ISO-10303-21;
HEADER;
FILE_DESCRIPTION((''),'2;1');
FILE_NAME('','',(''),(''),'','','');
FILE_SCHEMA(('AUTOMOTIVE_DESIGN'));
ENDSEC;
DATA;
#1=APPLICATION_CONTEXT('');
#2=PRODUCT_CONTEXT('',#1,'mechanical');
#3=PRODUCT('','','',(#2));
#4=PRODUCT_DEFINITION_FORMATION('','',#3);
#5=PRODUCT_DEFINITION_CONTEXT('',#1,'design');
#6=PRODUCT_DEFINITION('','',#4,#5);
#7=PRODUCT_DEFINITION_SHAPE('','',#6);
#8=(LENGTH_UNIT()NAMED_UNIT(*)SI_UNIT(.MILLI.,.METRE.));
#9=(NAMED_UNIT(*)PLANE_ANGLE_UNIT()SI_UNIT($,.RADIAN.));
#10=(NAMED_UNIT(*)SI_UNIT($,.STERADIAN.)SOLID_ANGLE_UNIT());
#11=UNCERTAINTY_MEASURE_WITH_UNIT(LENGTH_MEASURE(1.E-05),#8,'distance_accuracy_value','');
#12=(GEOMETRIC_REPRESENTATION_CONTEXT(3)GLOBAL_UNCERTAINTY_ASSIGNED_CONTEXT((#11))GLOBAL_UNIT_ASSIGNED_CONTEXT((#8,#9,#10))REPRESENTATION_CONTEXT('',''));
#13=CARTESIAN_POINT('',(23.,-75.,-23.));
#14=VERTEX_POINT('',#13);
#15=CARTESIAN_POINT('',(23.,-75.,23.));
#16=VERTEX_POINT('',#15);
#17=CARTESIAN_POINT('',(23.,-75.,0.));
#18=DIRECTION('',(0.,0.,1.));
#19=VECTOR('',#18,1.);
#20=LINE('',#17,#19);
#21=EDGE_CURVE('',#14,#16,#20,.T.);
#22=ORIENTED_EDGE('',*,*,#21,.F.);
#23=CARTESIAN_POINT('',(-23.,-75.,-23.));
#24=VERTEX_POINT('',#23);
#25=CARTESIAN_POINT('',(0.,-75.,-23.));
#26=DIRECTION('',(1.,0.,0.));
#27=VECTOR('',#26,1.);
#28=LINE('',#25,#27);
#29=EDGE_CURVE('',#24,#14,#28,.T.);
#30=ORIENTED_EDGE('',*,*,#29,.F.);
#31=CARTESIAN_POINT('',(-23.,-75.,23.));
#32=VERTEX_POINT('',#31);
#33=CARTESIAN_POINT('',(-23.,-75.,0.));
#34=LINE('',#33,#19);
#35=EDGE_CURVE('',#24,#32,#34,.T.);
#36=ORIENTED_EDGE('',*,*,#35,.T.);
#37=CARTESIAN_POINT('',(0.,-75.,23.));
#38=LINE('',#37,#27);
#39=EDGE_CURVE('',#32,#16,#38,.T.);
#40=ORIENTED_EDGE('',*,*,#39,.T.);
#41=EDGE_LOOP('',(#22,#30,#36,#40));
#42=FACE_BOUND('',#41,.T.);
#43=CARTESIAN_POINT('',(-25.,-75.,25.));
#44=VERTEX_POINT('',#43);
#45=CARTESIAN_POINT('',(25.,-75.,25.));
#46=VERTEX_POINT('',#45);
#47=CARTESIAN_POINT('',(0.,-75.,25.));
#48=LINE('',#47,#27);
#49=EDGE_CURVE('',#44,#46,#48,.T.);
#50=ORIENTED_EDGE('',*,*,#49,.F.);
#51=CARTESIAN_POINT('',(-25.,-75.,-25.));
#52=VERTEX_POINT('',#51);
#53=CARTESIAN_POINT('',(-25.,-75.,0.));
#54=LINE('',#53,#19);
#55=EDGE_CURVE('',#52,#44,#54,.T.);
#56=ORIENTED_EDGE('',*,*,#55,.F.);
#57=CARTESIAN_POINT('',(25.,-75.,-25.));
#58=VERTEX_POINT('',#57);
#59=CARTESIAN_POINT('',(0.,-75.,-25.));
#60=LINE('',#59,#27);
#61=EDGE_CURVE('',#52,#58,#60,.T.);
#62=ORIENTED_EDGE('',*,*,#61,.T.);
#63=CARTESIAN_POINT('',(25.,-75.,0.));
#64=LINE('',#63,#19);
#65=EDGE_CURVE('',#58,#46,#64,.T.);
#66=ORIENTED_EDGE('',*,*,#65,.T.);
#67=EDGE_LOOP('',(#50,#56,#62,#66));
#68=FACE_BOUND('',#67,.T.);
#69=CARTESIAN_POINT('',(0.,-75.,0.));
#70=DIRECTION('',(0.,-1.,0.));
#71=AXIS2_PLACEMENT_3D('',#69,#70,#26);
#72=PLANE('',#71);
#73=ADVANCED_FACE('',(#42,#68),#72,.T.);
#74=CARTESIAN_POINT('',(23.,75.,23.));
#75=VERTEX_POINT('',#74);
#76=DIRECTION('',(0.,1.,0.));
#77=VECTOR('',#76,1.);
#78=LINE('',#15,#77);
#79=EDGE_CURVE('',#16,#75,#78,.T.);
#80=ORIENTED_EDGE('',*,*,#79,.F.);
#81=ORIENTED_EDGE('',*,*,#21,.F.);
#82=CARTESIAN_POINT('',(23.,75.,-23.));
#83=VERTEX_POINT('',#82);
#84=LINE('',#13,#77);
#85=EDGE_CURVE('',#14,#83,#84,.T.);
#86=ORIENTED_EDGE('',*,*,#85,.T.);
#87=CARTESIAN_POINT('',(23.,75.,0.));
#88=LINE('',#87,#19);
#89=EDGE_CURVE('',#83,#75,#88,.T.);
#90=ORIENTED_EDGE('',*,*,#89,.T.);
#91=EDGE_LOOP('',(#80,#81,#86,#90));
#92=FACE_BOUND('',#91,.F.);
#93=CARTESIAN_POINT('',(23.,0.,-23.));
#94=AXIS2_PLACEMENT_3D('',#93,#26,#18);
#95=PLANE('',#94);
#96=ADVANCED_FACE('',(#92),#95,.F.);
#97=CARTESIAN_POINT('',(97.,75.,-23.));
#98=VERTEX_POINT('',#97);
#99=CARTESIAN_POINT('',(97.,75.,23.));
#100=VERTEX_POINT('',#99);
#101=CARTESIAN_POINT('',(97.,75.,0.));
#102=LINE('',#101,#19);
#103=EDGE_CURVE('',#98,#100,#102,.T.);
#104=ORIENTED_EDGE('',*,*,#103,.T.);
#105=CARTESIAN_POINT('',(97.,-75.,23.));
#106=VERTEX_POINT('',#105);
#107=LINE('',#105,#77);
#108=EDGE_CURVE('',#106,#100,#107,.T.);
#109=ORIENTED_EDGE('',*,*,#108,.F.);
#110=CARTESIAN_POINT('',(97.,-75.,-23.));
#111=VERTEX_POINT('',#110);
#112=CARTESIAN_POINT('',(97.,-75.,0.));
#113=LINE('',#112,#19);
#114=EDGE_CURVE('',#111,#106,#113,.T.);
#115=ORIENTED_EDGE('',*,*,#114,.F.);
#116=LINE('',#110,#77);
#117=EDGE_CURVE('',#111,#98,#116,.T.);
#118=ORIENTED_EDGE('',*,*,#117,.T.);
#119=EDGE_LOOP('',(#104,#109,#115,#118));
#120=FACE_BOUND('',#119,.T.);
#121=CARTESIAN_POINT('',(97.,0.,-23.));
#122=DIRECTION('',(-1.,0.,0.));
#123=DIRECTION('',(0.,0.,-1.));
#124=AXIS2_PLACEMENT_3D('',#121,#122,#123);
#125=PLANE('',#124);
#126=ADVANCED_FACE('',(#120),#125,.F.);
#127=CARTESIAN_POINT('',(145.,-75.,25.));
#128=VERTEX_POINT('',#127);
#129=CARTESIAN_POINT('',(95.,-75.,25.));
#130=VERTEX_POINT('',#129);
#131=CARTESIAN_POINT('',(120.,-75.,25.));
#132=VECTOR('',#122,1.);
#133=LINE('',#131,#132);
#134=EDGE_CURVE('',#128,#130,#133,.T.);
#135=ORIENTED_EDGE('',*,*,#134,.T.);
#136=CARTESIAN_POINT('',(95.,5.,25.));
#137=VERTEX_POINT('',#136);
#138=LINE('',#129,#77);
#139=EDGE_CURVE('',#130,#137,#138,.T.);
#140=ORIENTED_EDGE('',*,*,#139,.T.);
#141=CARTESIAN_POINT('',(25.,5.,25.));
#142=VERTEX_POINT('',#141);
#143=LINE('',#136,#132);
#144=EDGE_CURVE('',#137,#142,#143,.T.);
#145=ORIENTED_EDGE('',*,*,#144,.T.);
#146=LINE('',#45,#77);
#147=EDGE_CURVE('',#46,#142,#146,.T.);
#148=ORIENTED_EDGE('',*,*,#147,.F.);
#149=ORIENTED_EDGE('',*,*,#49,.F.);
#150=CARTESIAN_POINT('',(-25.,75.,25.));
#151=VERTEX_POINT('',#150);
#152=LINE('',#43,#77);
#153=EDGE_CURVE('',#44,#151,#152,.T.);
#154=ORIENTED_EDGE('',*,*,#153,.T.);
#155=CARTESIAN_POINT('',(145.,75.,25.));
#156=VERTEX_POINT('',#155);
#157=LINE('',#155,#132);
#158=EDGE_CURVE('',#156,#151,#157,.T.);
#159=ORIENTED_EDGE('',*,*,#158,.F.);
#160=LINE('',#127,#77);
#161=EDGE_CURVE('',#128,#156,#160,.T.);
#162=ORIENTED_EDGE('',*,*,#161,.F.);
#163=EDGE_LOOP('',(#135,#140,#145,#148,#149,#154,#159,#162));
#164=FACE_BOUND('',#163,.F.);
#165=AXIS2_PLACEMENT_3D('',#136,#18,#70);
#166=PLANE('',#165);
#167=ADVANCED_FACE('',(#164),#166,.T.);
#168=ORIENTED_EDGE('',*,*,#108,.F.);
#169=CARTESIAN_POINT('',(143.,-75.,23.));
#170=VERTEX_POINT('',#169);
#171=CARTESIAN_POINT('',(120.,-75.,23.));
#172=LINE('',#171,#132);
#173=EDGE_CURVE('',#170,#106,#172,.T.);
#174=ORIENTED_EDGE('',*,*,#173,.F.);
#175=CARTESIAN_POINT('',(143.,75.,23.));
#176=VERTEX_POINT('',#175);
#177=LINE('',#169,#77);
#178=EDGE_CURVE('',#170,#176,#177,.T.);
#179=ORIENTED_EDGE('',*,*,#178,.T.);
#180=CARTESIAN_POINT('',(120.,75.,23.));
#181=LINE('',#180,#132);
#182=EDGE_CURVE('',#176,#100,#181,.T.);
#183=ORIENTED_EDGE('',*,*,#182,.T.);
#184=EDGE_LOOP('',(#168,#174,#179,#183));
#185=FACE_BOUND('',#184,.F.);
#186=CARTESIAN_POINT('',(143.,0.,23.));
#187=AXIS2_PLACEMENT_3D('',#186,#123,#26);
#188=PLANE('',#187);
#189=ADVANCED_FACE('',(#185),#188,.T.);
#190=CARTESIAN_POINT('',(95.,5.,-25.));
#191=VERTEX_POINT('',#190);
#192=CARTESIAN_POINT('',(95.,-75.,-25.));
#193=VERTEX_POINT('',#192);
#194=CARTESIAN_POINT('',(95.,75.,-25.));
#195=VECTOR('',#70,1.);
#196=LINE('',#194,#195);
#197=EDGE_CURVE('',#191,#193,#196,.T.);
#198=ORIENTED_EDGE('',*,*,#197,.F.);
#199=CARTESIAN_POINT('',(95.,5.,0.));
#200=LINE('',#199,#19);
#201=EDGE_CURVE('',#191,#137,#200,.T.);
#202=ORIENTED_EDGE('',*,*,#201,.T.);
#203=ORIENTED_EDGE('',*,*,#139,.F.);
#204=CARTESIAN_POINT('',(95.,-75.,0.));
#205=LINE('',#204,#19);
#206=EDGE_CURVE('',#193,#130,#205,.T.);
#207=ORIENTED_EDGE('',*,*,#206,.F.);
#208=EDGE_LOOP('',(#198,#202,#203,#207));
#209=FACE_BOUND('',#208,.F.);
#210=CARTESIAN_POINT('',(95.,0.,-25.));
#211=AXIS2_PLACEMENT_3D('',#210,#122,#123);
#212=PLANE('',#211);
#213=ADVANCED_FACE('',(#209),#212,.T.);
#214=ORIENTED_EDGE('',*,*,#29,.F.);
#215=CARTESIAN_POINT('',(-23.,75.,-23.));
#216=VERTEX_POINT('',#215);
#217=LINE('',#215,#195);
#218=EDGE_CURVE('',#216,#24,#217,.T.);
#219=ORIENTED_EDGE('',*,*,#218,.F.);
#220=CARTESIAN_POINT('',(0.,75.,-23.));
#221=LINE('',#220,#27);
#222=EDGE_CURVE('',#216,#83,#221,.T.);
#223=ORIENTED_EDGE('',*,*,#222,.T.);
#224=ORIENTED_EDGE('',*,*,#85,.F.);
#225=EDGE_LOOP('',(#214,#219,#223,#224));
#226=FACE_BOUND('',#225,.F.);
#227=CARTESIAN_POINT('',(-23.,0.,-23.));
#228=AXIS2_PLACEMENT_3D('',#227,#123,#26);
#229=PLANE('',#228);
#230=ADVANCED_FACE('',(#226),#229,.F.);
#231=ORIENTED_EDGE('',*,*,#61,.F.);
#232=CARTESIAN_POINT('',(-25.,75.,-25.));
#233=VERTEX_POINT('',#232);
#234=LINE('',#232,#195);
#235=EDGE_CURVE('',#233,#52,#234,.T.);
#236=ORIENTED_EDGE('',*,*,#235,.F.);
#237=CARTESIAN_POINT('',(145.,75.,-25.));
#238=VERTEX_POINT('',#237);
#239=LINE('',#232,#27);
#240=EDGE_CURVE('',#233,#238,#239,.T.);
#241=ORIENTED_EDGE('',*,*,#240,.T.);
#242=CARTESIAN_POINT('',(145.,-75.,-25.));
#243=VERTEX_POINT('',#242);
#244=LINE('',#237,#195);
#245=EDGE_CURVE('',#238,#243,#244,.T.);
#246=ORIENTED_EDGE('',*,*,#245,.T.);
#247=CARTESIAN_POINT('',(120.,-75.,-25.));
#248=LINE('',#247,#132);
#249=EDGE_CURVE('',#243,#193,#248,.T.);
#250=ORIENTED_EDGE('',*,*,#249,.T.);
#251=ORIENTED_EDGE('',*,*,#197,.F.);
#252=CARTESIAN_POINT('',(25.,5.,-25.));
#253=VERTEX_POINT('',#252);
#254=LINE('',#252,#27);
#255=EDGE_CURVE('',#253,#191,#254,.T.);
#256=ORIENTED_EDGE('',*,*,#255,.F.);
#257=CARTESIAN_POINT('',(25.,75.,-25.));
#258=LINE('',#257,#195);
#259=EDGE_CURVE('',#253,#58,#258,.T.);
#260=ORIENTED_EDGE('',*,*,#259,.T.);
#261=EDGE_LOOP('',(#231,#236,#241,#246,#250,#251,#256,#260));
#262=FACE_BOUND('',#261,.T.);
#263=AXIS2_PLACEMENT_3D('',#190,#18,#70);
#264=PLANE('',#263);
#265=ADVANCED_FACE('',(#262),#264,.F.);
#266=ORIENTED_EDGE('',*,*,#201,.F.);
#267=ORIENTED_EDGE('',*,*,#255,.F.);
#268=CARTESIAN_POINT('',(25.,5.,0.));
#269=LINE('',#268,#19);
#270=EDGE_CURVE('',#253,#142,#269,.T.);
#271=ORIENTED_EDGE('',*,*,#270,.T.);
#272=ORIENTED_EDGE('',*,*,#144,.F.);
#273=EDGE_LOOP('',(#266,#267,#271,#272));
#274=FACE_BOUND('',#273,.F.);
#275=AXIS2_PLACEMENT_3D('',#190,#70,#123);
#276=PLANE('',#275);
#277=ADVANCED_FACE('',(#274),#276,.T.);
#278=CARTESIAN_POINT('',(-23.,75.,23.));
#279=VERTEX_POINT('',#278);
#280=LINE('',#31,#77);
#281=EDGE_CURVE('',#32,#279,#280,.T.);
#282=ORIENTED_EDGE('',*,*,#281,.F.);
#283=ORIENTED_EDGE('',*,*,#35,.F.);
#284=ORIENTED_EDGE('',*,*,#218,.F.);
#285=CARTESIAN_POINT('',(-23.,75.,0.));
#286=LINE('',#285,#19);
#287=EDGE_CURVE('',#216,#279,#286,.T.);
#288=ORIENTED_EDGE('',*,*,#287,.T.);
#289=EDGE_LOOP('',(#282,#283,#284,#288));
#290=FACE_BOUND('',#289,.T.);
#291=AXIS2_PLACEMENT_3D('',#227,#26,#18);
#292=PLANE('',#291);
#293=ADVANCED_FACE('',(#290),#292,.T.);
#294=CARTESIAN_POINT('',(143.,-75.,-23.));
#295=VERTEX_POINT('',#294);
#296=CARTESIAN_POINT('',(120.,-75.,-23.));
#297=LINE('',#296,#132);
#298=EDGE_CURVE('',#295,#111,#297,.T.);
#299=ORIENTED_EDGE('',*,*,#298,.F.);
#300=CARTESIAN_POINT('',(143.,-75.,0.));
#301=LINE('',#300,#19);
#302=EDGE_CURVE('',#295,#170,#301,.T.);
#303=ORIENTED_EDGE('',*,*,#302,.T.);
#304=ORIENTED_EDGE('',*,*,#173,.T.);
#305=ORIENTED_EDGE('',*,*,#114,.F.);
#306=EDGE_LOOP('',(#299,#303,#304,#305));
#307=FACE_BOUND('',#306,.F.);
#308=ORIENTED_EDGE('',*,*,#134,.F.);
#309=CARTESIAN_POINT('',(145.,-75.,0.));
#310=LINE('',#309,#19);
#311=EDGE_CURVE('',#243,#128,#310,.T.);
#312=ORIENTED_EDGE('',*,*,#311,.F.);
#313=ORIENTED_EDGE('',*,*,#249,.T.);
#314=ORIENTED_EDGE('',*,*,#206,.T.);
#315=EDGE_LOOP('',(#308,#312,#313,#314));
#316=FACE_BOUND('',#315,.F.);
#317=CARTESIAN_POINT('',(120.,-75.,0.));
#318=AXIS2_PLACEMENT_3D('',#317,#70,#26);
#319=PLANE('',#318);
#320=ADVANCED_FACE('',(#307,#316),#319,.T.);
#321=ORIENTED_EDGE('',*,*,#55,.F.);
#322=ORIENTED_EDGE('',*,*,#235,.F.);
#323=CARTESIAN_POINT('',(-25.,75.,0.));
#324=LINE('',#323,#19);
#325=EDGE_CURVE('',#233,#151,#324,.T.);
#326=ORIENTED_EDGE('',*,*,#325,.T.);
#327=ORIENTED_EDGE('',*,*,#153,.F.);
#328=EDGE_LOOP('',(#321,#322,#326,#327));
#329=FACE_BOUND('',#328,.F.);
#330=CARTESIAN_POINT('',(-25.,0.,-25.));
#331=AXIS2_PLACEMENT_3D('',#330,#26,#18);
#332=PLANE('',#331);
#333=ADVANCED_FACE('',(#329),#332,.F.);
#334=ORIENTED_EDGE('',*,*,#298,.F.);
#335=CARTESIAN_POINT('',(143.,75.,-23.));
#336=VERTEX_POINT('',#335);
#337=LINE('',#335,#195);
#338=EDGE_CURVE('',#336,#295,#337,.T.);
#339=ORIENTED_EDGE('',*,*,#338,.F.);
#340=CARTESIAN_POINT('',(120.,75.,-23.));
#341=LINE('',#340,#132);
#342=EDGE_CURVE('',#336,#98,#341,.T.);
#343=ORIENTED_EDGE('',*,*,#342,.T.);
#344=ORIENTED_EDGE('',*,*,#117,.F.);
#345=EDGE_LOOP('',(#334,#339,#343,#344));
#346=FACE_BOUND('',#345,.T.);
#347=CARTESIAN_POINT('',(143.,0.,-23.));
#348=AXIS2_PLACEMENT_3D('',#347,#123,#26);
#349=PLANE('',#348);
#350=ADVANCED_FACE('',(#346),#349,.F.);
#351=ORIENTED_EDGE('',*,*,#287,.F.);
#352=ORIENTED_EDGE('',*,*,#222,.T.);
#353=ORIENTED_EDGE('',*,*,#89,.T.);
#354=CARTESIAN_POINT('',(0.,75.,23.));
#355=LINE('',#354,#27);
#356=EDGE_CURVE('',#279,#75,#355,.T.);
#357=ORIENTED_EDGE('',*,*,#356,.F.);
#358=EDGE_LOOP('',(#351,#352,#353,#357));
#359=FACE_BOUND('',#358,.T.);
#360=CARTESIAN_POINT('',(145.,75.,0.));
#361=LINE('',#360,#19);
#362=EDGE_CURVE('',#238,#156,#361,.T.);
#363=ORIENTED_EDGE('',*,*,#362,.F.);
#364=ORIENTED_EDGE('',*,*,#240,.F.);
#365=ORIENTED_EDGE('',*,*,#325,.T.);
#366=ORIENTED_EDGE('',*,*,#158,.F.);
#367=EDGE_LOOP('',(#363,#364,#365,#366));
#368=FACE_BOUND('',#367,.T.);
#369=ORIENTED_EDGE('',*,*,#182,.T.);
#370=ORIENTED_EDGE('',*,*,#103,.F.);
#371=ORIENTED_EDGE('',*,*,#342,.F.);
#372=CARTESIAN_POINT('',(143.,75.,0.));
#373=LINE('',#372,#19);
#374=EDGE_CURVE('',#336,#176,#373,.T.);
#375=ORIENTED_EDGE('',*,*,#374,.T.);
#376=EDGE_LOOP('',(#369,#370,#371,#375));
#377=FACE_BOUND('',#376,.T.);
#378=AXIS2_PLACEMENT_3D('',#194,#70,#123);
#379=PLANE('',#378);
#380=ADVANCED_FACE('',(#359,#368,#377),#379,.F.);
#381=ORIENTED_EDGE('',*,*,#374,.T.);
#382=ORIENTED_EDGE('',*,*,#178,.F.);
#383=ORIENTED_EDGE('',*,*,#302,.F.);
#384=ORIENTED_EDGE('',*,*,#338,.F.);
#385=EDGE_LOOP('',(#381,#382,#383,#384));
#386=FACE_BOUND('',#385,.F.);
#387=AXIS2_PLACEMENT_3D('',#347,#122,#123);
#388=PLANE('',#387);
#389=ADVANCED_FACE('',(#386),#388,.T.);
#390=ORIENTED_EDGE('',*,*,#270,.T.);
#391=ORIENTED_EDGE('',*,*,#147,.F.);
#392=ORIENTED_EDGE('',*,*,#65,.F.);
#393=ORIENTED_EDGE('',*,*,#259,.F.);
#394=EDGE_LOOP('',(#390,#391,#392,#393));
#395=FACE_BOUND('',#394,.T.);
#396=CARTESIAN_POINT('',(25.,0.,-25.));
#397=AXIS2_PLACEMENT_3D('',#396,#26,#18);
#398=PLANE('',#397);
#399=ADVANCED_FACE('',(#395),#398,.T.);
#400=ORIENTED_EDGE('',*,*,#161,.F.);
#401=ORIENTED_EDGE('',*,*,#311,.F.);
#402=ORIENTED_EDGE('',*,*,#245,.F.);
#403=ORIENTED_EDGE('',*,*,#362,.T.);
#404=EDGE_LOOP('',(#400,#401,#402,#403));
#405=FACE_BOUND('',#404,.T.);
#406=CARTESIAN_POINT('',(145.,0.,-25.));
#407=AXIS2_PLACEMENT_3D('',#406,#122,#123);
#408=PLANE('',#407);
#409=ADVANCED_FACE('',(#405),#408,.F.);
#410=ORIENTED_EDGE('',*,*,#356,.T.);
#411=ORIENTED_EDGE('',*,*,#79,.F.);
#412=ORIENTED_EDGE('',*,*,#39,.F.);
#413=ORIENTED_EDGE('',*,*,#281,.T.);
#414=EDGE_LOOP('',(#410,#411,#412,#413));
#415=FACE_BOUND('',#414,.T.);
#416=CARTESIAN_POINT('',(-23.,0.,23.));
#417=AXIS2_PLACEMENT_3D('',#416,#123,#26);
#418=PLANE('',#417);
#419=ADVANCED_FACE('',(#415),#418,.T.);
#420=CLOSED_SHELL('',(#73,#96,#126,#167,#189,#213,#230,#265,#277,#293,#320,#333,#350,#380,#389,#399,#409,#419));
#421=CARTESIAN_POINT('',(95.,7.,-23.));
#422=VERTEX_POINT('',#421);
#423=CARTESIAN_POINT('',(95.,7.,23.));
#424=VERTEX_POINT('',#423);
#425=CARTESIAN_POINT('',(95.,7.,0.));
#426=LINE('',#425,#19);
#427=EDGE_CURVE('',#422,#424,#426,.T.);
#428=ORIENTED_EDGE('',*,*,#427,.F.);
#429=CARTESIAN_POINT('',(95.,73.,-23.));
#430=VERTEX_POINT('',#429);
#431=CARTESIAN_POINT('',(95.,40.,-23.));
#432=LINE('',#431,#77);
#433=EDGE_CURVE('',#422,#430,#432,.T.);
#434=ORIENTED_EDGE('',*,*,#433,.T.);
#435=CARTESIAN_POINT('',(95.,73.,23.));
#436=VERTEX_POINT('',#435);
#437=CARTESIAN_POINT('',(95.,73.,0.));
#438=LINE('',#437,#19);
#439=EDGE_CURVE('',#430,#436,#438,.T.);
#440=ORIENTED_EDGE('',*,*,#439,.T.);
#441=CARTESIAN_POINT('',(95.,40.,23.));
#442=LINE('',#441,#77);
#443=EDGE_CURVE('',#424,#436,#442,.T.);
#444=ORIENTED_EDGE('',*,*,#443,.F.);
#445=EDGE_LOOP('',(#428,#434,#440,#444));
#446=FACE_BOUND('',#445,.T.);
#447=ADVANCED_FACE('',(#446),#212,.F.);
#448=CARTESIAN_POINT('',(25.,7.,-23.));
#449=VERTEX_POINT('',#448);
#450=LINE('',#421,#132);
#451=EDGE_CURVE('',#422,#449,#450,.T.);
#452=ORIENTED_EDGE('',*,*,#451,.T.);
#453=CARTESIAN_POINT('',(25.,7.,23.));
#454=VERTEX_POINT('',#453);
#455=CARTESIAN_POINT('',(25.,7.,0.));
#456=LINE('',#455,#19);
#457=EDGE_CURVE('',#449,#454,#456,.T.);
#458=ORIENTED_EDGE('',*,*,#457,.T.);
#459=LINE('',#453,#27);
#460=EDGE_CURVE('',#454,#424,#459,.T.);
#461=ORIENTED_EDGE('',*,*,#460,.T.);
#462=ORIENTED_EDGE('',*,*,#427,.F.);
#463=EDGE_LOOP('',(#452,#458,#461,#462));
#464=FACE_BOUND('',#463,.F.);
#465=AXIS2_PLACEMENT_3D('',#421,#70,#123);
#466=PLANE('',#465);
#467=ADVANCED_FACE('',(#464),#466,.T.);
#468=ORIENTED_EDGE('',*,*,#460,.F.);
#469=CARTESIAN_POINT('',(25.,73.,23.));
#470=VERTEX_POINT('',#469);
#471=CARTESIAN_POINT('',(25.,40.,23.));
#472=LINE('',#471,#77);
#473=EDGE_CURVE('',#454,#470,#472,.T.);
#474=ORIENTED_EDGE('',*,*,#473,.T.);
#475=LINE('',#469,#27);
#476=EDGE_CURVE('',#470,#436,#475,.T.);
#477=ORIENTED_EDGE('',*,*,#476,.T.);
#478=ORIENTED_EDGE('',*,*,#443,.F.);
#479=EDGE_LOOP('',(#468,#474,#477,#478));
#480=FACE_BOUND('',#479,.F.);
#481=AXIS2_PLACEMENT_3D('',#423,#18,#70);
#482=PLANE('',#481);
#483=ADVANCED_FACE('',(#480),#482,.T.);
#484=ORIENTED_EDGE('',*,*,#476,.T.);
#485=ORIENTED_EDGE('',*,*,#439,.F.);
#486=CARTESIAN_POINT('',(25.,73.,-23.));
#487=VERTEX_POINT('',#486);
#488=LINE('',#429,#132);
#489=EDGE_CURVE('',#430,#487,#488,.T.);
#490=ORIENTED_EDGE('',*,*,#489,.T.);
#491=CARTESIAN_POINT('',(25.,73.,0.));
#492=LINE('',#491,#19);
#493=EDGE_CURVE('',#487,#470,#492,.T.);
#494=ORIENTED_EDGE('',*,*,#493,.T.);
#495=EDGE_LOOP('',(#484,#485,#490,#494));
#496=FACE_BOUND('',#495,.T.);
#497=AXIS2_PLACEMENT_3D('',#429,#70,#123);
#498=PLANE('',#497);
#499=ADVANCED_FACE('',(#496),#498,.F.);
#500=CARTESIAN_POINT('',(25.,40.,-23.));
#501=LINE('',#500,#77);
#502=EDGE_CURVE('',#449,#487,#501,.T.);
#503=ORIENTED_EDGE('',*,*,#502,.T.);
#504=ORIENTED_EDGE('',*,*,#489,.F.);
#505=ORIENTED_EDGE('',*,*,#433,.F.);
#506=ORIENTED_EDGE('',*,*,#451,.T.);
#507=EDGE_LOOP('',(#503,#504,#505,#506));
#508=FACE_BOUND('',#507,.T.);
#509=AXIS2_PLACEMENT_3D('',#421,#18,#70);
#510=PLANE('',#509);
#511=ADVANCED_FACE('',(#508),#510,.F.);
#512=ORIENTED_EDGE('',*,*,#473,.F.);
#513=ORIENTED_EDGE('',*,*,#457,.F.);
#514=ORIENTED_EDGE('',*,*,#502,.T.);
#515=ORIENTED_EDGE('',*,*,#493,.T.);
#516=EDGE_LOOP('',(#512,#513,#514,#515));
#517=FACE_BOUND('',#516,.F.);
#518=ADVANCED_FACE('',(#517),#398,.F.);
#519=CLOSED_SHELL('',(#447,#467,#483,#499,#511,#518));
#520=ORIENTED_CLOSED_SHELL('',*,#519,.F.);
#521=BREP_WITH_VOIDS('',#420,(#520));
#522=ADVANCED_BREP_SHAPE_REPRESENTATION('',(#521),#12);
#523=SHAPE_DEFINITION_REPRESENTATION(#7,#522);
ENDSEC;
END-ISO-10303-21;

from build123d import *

# Parameters (mm, degrees)
F0_W     = 50
F0_H     = 50
F0_W_2   = 46
F0_H_2   = 46
F1_DEPTH = 75
F2_W     = 70
F2_H     = 50
F2_W_2   = 66
F2_H_2   = 46
F3_DEPTH = 35


with BuildPart() as f1:
    # F0 (on Front) → F1 (new body, symmetric)
    with BuildSketch(Plane.XZ):
        Rectangle(F0_W, F0_H)
        Rectangle(F0_W_2, F0_H_2, mode=Mode.SUBTRACT)
    extrude(amount=F1_DEPTH, both=True)

    # F2 (on face) → F3 (join)
    with BuildSketch(Plane.YZ.offset(25)):
        with Locations((40, 0)):
            Rectangle(F2_W, F2_H)
        with Locations((40, 0)):
            Rectangle(F2_W_2, F2_H_2, mode=Mode.SUBTRACT)
    extrude(amount=F3_DEPTH)

    # F5: F1 across plane


with BuildPart() as f1_1:
    add(f1.part)
    add(f1.part.mirror(Plane(origin=(60, 40, 0), x_dir=(0, 1, 0), z_dir=(1, 0, 0))))


solid = f1_1.part
